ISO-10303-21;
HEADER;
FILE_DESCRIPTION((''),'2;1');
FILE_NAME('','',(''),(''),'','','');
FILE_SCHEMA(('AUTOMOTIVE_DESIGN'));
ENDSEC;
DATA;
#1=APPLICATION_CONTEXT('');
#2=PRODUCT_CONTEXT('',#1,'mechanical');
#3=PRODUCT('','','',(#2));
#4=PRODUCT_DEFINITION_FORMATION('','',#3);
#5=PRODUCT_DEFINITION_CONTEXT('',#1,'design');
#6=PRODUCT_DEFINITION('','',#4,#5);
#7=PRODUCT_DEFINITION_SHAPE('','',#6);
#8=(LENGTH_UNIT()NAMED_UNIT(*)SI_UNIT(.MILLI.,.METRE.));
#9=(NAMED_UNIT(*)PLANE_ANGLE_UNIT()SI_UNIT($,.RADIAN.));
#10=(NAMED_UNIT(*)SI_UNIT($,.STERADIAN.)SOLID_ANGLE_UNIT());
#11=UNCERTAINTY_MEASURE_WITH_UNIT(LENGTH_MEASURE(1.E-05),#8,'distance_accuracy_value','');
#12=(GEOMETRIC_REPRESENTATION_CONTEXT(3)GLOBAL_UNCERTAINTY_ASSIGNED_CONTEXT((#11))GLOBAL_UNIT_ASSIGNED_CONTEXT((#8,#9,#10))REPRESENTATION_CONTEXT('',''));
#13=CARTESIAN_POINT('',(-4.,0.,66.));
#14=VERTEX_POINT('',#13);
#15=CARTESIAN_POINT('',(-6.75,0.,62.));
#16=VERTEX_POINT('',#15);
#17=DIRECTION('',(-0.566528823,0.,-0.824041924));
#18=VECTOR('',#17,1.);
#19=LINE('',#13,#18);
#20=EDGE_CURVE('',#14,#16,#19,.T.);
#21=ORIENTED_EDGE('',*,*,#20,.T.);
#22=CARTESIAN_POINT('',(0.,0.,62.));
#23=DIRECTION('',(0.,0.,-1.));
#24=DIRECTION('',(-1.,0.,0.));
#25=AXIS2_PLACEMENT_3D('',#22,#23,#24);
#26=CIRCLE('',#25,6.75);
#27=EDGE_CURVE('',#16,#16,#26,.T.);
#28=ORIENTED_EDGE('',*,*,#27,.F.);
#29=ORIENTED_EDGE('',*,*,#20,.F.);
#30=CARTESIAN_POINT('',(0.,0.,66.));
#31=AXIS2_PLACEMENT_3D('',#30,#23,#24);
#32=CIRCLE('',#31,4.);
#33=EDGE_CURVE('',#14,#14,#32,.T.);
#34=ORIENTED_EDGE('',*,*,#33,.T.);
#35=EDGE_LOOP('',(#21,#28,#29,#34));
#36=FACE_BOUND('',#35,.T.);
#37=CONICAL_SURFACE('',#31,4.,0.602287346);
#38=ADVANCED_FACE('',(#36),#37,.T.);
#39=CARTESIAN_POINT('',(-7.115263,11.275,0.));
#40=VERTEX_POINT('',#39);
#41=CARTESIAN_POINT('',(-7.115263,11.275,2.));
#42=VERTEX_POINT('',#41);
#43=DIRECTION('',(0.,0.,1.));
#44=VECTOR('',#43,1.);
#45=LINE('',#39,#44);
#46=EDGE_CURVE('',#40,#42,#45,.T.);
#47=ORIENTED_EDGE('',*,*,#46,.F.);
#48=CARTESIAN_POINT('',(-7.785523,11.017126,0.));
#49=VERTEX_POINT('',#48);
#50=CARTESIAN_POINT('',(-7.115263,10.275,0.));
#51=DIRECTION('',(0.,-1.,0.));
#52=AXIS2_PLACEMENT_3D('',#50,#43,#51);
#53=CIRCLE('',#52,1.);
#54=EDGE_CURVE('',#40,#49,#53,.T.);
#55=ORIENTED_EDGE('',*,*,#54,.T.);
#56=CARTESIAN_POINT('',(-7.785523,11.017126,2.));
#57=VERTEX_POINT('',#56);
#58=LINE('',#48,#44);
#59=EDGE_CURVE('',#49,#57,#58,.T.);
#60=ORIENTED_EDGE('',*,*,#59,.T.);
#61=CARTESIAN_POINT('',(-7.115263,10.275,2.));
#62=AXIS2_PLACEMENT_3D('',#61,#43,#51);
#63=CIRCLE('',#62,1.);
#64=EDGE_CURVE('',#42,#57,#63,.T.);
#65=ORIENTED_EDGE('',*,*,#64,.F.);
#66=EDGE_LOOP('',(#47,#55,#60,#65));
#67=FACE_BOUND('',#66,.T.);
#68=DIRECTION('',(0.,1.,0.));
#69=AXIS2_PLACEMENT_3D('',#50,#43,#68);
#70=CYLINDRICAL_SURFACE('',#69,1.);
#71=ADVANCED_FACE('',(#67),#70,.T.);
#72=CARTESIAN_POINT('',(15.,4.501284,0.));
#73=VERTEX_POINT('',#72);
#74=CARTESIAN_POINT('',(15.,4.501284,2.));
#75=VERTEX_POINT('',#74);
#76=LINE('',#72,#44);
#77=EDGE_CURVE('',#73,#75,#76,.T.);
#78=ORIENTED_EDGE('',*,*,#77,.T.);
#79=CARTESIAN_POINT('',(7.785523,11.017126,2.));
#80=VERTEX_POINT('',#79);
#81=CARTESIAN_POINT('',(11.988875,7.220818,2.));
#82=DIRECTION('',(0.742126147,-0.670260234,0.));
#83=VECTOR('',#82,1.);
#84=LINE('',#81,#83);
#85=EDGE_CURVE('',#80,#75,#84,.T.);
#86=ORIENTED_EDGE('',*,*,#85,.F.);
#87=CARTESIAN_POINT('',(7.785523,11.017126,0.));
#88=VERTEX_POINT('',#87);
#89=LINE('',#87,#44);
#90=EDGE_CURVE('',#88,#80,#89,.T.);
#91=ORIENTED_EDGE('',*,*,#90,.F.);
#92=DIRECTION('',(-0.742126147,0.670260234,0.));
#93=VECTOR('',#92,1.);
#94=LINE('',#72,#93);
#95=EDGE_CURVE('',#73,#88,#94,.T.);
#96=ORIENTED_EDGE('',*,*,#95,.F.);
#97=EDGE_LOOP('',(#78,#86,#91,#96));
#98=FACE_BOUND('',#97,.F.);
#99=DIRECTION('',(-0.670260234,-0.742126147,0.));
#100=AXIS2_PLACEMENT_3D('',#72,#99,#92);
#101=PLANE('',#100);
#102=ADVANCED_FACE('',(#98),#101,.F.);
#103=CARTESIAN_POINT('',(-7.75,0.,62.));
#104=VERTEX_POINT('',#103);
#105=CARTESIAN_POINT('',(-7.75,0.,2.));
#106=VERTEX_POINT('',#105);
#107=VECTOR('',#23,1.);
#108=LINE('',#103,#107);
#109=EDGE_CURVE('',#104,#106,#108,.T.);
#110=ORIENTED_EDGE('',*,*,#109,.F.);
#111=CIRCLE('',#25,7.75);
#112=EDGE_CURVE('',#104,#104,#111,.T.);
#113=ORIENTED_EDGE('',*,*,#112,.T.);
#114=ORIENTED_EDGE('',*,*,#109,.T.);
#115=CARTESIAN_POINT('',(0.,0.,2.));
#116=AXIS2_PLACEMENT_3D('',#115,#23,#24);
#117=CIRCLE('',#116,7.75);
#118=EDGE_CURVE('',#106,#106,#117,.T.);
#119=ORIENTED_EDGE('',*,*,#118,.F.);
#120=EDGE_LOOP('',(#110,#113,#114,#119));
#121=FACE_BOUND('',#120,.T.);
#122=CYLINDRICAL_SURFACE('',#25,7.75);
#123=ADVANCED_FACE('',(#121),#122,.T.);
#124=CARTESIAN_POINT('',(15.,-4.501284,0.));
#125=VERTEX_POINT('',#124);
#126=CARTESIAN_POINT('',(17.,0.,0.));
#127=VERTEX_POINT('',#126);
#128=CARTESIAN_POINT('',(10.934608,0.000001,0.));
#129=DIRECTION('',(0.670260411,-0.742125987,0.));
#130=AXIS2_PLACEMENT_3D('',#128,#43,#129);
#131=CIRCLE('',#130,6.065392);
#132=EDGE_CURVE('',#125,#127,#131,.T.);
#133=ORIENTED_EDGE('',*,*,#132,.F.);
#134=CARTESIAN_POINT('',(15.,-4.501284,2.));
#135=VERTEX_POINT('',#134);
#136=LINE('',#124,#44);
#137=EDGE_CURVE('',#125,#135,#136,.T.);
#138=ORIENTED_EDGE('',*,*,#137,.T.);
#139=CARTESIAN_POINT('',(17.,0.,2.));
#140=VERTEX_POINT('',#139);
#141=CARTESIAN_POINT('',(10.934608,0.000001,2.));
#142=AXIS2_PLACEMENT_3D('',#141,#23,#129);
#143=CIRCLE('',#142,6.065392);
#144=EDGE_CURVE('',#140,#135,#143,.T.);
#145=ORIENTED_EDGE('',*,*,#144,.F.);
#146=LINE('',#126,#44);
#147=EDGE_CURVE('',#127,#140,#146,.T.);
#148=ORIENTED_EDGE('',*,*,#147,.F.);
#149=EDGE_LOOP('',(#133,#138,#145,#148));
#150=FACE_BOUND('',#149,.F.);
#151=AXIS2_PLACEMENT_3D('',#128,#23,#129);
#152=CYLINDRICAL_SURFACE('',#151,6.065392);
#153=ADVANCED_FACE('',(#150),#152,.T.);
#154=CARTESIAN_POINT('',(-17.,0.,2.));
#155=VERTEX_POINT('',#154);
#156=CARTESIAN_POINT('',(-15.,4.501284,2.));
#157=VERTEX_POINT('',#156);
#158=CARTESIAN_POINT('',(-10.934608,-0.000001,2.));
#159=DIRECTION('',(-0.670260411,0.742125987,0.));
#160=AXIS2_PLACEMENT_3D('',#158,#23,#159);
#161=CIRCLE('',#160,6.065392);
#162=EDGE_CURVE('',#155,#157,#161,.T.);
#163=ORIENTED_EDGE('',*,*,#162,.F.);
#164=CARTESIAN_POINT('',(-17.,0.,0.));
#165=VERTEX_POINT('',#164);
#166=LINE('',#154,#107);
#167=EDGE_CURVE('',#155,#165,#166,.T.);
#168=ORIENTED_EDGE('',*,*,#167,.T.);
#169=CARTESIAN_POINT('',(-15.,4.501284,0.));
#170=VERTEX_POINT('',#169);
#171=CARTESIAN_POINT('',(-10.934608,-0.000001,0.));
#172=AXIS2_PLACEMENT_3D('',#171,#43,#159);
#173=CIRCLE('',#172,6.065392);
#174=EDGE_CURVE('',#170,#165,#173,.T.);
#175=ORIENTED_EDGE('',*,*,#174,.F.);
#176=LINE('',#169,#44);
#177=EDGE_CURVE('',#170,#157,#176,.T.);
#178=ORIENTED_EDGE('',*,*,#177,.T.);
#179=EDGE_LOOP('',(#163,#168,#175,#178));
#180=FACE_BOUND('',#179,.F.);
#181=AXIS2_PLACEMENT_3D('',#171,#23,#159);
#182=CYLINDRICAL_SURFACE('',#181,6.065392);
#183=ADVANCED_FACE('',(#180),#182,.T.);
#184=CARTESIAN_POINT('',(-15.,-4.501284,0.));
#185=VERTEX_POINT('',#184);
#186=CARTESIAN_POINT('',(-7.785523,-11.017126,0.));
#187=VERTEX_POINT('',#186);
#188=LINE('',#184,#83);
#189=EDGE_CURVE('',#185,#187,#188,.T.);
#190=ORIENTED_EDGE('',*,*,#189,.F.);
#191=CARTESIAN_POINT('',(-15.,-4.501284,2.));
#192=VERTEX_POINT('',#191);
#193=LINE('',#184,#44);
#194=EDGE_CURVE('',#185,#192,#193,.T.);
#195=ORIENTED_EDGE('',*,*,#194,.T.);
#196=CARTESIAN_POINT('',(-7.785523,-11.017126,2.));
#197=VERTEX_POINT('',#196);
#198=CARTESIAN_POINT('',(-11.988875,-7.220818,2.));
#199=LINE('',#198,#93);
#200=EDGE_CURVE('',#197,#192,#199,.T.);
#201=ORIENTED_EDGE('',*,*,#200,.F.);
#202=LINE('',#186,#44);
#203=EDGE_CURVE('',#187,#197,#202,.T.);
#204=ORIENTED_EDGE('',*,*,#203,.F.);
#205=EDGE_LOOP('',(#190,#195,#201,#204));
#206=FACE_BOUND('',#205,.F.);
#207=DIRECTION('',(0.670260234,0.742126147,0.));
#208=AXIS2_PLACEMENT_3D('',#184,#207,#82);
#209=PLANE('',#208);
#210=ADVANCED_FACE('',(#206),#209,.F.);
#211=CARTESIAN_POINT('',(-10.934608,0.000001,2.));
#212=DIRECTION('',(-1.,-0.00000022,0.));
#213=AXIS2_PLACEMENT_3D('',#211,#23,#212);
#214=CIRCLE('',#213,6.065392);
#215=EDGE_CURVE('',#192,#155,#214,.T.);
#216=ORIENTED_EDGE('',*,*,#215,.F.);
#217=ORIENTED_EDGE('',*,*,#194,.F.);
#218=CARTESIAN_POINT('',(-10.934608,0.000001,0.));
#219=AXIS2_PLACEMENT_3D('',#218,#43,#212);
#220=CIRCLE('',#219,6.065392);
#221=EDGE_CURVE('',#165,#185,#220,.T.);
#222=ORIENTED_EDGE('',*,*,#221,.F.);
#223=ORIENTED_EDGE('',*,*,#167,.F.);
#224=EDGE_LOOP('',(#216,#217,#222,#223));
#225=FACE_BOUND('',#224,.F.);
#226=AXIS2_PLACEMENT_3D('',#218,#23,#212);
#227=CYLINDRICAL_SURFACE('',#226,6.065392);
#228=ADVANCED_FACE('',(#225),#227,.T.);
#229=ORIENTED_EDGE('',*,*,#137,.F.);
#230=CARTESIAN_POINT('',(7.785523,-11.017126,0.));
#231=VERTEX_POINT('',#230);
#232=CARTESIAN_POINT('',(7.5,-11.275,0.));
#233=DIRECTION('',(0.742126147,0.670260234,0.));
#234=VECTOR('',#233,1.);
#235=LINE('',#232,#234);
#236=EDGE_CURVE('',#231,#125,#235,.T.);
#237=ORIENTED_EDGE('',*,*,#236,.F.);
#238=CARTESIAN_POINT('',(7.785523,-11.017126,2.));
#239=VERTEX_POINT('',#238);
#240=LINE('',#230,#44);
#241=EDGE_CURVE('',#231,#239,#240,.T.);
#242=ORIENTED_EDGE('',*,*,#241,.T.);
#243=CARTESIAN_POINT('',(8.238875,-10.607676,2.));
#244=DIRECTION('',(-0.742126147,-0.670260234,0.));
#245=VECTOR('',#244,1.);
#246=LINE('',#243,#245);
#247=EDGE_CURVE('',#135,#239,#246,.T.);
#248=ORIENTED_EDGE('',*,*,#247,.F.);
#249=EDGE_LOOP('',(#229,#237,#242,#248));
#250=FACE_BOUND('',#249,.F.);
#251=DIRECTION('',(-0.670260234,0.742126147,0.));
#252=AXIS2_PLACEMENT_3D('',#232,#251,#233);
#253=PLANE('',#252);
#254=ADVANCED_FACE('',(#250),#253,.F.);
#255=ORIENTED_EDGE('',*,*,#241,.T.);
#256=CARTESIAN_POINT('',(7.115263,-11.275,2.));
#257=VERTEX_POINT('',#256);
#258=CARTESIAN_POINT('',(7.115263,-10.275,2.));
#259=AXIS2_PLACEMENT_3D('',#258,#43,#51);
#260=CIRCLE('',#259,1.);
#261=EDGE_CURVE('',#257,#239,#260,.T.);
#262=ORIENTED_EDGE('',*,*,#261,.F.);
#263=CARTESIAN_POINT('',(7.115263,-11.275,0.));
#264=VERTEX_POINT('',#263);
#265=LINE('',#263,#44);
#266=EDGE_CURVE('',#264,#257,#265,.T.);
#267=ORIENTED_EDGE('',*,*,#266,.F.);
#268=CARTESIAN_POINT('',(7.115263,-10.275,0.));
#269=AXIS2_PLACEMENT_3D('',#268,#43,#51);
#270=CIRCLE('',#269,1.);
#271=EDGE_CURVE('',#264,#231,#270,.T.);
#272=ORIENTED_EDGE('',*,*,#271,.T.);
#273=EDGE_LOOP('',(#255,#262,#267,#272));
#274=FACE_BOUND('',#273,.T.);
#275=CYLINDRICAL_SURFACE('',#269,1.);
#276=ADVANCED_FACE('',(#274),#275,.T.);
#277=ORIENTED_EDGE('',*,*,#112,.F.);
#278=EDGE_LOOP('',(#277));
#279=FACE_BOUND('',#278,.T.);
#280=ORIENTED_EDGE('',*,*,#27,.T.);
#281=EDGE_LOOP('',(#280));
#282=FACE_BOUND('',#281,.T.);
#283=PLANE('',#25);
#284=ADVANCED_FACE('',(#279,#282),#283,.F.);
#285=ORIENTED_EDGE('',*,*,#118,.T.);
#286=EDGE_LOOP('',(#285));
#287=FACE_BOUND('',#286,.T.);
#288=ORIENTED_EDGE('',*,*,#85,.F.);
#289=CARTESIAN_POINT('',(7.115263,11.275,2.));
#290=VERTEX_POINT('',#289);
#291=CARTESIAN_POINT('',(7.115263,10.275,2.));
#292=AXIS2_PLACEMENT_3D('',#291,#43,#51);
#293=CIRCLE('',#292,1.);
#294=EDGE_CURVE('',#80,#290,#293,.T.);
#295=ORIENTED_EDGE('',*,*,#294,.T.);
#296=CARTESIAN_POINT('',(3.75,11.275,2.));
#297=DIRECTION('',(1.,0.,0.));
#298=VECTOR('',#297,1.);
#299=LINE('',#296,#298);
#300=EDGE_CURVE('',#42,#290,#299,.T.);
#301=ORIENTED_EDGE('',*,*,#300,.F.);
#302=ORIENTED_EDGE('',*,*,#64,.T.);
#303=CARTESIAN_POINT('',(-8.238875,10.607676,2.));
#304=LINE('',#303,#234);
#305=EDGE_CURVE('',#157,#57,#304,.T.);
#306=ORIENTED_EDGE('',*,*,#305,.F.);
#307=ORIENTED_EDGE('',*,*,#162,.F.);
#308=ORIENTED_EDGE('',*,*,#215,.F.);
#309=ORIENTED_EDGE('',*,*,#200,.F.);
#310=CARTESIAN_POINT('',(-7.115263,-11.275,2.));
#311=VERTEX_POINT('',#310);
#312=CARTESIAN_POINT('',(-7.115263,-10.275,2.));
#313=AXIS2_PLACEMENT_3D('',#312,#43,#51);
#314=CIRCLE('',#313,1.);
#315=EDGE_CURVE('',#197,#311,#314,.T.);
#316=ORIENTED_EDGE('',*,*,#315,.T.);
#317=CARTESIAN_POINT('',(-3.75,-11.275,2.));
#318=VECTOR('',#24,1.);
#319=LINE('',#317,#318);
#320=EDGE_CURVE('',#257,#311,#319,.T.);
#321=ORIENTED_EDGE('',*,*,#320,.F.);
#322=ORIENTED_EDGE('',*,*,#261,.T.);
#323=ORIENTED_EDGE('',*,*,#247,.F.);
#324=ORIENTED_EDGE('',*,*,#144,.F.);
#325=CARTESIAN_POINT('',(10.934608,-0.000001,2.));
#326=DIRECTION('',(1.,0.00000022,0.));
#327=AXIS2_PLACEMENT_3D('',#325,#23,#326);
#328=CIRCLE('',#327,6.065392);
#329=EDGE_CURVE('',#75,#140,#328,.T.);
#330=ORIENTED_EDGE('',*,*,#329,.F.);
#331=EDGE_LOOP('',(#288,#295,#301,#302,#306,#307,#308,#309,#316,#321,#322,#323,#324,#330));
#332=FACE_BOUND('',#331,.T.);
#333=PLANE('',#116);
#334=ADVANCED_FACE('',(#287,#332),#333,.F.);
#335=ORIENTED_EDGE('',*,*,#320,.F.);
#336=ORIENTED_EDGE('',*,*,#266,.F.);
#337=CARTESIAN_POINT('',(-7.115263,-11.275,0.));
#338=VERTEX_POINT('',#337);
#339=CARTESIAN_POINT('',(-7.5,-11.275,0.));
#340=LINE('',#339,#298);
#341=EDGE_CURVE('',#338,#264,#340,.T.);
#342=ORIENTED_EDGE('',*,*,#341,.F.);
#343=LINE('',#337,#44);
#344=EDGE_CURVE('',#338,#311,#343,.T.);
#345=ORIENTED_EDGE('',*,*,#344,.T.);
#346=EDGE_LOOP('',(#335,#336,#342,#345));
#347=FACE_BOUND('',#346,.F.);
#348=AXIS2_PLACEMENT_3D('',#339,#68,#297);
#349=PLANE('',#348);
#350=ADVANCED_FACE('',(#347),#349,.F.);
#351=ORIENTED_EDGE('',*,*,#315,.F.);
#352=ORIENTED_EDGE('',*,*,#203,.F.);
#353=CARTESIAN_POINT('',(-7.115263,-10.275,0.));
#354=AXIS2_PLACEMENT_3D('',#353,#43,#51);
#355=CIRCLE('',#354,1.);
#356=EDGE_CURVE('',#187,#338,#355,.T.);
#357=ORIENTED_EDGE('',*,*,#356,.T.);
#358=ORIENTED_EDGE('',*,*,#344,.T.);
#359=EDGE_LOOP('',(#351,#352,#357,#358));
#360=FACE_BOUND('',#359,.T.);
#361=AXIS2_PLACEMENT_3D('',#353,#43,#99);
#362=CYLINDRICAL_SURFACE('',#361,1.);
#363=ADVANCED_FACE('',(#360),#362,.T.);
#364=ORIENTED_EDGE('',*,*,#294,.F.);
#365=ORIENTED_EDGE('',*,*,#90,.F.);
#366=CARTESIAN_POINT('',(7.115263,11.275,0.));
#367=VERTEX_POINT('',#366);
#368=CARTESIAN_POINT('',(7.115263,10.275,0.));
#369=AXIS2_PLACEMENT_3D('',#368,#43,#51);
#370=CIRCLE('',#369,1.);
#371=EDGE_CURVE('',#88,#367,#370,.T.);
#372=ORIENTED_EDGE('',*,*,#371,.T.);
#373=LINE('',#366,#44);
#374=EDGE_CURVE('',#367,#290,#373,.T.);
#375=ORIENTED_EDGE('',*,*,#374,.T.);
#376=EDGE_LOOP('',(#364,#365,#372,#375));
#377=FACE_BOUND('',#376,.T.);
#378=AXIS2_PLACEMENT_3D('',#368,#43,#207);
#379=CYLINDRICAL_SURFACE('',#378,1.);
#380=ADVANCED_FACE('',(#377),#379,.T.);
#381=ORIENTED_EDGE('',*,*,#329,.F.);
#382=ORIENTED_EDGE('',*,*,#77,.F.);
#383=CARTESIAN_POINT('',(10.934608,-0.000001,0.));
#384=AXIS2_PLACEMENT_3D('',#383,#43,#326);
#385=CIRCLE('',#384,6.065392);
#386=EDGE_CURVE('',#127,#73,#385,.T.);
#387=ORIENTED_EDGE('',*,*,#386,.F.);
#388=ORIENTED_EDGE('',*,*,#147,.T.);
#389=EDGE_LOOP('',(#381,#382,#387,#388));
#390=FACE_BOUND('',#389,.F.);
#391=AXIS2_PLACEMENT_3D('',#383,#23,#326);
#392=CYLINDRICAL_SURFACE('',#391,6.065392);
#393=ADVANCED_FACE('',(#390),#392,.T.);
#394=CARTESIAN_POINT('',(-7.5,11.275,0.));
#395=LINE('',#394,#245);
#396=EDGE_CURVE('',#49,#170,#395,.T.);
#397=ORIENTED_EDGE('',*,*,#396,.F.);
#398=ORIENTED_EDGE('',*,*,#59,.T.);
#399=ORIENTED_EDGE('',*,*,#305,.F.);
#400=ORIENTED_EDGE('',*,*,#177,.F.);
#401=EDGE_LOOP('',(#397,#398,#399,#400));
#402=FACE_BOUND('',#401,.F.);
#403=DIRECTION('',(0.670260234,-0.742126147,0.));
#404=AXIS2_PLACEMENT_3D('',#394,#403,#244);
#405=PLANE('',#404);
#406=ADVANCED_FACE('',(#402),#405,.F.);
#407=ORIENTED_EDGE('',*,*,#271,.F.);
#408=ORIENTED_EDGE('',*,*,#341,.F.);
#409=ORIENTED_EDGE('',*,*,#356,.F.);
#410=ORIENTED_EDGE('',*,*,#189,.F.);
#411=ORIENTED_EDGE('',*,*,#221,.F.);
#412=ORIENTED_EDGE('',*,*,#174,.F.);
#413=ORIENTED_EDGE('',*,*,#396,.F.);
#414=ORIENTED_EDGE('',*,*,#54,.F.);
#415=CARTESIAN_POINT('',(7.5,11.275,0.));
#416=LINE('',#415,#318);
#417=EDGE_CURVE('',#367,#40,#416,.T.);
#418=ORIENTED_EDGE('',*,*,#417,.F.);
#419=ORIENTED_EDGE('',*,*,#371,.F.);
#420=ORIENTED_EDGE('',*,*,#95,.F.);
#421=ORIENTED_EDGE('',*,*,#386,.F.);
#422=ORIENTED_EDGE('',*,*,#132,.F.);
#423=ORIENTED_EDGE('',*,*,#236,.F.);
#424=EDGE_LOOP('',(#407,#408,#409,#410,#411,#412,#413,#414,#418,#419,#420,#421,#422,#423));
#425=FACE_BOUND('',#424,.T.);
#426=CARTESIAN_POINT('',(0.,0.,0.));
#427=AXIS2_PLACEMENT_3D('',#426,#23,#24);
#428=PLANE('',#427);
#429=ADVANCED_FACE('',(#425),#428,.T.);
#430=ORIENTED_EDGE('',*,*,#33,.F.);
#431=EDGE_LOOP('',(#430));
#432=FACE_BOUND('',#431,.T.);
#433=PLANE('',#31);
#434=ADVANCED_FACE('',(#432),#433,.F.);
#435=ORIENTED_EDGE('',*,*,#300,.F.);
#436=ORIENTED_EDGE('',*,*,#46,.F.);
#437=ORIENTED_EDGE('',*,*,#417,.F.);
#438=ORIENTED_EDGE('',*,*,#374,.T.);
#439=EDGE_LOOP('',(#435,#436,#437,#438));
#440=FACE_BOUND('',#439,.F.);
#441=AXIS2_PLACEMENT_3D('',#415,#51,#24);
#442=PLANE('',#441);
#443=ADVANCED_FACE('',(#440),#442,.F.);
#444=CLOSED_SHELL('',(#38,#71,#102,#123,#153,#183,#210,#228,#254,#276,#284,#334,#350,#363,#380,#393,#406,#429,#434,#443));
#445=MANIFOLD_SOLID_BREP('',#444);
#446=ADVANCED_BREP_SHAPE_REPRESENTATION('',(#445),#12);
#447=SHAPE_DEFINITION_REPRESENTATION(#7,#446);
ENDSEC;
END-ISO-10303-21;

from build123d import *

# Parameters (mm, degrees)
F3_DEPTH = 66.001
F4_R     = 1


with BuildPart() as f1:
    # F0 (on Front) → F1 (revolve)
    with BuildSketch(Plane.XZ):
        Polygon((-17, 0), (0, 0), (0, 66), (-4, 66), (-6.75, 62), (-7.75, 62), (-7.75, 2), (-17, 2), align=None)
    revolve(axis=Axis((0, 0, 33), (0, 0, -1)))

    # F2 (on face) → F3 (cut, through all)
    with BuildSketch(Plane(origin=(0, 0, 0), x_dir=(1, 0, 0), z_dir=(0, 0, -1))):
        with BuildLine():
            Line((-7.5, 11.275), (7.5, 11.275))
            Line((7.5, 11.275), (15, 4.501284))
            ThreePointArc((15, 4.501284), (16.477494, 2.462801), (17, 0))
            ThreePointArc((17, 0), (0, 17), (-17, 0))
            ThreePointArc((-17, 0), (-16.477494, 2.462801), (-15, 4.501284))
            Line((-15, 4.501284), (-7.5, 11.275))
        make_face()
        with BuildLine():
            ThreePointArc((-17, 0), (0, -17), (17, 0))
            ThreePointArc((17, 0), (16.477494, -2.462801), (15, -4.501284))
            Line((15, -4.501284), (7.5, -11.275))
            Line((7.5, -11.275), (-7.5, -11.275))
            Line((-7.5, -11.275), (-15, -4.501284))
            ThreePointArc((-15, -4.501284), (-16.477494, -2.462801), (-17, 0))
        make_face()
    extrude(amount=-F3_DEPTH, mode=Mode.SUBTRACT)

    # F4
    f4_edges = [f1.edges().sort_by_distance(p)[0] for p in [
        (-7.5, -11.275, 1),
        (7.5, -11.275, 1),
        (-7.5, 11.275, 1),
        (7.5, 11.275, 1),
    ]]
    fillet(f4_edges, radius=F4_R)


solid = f1.part
